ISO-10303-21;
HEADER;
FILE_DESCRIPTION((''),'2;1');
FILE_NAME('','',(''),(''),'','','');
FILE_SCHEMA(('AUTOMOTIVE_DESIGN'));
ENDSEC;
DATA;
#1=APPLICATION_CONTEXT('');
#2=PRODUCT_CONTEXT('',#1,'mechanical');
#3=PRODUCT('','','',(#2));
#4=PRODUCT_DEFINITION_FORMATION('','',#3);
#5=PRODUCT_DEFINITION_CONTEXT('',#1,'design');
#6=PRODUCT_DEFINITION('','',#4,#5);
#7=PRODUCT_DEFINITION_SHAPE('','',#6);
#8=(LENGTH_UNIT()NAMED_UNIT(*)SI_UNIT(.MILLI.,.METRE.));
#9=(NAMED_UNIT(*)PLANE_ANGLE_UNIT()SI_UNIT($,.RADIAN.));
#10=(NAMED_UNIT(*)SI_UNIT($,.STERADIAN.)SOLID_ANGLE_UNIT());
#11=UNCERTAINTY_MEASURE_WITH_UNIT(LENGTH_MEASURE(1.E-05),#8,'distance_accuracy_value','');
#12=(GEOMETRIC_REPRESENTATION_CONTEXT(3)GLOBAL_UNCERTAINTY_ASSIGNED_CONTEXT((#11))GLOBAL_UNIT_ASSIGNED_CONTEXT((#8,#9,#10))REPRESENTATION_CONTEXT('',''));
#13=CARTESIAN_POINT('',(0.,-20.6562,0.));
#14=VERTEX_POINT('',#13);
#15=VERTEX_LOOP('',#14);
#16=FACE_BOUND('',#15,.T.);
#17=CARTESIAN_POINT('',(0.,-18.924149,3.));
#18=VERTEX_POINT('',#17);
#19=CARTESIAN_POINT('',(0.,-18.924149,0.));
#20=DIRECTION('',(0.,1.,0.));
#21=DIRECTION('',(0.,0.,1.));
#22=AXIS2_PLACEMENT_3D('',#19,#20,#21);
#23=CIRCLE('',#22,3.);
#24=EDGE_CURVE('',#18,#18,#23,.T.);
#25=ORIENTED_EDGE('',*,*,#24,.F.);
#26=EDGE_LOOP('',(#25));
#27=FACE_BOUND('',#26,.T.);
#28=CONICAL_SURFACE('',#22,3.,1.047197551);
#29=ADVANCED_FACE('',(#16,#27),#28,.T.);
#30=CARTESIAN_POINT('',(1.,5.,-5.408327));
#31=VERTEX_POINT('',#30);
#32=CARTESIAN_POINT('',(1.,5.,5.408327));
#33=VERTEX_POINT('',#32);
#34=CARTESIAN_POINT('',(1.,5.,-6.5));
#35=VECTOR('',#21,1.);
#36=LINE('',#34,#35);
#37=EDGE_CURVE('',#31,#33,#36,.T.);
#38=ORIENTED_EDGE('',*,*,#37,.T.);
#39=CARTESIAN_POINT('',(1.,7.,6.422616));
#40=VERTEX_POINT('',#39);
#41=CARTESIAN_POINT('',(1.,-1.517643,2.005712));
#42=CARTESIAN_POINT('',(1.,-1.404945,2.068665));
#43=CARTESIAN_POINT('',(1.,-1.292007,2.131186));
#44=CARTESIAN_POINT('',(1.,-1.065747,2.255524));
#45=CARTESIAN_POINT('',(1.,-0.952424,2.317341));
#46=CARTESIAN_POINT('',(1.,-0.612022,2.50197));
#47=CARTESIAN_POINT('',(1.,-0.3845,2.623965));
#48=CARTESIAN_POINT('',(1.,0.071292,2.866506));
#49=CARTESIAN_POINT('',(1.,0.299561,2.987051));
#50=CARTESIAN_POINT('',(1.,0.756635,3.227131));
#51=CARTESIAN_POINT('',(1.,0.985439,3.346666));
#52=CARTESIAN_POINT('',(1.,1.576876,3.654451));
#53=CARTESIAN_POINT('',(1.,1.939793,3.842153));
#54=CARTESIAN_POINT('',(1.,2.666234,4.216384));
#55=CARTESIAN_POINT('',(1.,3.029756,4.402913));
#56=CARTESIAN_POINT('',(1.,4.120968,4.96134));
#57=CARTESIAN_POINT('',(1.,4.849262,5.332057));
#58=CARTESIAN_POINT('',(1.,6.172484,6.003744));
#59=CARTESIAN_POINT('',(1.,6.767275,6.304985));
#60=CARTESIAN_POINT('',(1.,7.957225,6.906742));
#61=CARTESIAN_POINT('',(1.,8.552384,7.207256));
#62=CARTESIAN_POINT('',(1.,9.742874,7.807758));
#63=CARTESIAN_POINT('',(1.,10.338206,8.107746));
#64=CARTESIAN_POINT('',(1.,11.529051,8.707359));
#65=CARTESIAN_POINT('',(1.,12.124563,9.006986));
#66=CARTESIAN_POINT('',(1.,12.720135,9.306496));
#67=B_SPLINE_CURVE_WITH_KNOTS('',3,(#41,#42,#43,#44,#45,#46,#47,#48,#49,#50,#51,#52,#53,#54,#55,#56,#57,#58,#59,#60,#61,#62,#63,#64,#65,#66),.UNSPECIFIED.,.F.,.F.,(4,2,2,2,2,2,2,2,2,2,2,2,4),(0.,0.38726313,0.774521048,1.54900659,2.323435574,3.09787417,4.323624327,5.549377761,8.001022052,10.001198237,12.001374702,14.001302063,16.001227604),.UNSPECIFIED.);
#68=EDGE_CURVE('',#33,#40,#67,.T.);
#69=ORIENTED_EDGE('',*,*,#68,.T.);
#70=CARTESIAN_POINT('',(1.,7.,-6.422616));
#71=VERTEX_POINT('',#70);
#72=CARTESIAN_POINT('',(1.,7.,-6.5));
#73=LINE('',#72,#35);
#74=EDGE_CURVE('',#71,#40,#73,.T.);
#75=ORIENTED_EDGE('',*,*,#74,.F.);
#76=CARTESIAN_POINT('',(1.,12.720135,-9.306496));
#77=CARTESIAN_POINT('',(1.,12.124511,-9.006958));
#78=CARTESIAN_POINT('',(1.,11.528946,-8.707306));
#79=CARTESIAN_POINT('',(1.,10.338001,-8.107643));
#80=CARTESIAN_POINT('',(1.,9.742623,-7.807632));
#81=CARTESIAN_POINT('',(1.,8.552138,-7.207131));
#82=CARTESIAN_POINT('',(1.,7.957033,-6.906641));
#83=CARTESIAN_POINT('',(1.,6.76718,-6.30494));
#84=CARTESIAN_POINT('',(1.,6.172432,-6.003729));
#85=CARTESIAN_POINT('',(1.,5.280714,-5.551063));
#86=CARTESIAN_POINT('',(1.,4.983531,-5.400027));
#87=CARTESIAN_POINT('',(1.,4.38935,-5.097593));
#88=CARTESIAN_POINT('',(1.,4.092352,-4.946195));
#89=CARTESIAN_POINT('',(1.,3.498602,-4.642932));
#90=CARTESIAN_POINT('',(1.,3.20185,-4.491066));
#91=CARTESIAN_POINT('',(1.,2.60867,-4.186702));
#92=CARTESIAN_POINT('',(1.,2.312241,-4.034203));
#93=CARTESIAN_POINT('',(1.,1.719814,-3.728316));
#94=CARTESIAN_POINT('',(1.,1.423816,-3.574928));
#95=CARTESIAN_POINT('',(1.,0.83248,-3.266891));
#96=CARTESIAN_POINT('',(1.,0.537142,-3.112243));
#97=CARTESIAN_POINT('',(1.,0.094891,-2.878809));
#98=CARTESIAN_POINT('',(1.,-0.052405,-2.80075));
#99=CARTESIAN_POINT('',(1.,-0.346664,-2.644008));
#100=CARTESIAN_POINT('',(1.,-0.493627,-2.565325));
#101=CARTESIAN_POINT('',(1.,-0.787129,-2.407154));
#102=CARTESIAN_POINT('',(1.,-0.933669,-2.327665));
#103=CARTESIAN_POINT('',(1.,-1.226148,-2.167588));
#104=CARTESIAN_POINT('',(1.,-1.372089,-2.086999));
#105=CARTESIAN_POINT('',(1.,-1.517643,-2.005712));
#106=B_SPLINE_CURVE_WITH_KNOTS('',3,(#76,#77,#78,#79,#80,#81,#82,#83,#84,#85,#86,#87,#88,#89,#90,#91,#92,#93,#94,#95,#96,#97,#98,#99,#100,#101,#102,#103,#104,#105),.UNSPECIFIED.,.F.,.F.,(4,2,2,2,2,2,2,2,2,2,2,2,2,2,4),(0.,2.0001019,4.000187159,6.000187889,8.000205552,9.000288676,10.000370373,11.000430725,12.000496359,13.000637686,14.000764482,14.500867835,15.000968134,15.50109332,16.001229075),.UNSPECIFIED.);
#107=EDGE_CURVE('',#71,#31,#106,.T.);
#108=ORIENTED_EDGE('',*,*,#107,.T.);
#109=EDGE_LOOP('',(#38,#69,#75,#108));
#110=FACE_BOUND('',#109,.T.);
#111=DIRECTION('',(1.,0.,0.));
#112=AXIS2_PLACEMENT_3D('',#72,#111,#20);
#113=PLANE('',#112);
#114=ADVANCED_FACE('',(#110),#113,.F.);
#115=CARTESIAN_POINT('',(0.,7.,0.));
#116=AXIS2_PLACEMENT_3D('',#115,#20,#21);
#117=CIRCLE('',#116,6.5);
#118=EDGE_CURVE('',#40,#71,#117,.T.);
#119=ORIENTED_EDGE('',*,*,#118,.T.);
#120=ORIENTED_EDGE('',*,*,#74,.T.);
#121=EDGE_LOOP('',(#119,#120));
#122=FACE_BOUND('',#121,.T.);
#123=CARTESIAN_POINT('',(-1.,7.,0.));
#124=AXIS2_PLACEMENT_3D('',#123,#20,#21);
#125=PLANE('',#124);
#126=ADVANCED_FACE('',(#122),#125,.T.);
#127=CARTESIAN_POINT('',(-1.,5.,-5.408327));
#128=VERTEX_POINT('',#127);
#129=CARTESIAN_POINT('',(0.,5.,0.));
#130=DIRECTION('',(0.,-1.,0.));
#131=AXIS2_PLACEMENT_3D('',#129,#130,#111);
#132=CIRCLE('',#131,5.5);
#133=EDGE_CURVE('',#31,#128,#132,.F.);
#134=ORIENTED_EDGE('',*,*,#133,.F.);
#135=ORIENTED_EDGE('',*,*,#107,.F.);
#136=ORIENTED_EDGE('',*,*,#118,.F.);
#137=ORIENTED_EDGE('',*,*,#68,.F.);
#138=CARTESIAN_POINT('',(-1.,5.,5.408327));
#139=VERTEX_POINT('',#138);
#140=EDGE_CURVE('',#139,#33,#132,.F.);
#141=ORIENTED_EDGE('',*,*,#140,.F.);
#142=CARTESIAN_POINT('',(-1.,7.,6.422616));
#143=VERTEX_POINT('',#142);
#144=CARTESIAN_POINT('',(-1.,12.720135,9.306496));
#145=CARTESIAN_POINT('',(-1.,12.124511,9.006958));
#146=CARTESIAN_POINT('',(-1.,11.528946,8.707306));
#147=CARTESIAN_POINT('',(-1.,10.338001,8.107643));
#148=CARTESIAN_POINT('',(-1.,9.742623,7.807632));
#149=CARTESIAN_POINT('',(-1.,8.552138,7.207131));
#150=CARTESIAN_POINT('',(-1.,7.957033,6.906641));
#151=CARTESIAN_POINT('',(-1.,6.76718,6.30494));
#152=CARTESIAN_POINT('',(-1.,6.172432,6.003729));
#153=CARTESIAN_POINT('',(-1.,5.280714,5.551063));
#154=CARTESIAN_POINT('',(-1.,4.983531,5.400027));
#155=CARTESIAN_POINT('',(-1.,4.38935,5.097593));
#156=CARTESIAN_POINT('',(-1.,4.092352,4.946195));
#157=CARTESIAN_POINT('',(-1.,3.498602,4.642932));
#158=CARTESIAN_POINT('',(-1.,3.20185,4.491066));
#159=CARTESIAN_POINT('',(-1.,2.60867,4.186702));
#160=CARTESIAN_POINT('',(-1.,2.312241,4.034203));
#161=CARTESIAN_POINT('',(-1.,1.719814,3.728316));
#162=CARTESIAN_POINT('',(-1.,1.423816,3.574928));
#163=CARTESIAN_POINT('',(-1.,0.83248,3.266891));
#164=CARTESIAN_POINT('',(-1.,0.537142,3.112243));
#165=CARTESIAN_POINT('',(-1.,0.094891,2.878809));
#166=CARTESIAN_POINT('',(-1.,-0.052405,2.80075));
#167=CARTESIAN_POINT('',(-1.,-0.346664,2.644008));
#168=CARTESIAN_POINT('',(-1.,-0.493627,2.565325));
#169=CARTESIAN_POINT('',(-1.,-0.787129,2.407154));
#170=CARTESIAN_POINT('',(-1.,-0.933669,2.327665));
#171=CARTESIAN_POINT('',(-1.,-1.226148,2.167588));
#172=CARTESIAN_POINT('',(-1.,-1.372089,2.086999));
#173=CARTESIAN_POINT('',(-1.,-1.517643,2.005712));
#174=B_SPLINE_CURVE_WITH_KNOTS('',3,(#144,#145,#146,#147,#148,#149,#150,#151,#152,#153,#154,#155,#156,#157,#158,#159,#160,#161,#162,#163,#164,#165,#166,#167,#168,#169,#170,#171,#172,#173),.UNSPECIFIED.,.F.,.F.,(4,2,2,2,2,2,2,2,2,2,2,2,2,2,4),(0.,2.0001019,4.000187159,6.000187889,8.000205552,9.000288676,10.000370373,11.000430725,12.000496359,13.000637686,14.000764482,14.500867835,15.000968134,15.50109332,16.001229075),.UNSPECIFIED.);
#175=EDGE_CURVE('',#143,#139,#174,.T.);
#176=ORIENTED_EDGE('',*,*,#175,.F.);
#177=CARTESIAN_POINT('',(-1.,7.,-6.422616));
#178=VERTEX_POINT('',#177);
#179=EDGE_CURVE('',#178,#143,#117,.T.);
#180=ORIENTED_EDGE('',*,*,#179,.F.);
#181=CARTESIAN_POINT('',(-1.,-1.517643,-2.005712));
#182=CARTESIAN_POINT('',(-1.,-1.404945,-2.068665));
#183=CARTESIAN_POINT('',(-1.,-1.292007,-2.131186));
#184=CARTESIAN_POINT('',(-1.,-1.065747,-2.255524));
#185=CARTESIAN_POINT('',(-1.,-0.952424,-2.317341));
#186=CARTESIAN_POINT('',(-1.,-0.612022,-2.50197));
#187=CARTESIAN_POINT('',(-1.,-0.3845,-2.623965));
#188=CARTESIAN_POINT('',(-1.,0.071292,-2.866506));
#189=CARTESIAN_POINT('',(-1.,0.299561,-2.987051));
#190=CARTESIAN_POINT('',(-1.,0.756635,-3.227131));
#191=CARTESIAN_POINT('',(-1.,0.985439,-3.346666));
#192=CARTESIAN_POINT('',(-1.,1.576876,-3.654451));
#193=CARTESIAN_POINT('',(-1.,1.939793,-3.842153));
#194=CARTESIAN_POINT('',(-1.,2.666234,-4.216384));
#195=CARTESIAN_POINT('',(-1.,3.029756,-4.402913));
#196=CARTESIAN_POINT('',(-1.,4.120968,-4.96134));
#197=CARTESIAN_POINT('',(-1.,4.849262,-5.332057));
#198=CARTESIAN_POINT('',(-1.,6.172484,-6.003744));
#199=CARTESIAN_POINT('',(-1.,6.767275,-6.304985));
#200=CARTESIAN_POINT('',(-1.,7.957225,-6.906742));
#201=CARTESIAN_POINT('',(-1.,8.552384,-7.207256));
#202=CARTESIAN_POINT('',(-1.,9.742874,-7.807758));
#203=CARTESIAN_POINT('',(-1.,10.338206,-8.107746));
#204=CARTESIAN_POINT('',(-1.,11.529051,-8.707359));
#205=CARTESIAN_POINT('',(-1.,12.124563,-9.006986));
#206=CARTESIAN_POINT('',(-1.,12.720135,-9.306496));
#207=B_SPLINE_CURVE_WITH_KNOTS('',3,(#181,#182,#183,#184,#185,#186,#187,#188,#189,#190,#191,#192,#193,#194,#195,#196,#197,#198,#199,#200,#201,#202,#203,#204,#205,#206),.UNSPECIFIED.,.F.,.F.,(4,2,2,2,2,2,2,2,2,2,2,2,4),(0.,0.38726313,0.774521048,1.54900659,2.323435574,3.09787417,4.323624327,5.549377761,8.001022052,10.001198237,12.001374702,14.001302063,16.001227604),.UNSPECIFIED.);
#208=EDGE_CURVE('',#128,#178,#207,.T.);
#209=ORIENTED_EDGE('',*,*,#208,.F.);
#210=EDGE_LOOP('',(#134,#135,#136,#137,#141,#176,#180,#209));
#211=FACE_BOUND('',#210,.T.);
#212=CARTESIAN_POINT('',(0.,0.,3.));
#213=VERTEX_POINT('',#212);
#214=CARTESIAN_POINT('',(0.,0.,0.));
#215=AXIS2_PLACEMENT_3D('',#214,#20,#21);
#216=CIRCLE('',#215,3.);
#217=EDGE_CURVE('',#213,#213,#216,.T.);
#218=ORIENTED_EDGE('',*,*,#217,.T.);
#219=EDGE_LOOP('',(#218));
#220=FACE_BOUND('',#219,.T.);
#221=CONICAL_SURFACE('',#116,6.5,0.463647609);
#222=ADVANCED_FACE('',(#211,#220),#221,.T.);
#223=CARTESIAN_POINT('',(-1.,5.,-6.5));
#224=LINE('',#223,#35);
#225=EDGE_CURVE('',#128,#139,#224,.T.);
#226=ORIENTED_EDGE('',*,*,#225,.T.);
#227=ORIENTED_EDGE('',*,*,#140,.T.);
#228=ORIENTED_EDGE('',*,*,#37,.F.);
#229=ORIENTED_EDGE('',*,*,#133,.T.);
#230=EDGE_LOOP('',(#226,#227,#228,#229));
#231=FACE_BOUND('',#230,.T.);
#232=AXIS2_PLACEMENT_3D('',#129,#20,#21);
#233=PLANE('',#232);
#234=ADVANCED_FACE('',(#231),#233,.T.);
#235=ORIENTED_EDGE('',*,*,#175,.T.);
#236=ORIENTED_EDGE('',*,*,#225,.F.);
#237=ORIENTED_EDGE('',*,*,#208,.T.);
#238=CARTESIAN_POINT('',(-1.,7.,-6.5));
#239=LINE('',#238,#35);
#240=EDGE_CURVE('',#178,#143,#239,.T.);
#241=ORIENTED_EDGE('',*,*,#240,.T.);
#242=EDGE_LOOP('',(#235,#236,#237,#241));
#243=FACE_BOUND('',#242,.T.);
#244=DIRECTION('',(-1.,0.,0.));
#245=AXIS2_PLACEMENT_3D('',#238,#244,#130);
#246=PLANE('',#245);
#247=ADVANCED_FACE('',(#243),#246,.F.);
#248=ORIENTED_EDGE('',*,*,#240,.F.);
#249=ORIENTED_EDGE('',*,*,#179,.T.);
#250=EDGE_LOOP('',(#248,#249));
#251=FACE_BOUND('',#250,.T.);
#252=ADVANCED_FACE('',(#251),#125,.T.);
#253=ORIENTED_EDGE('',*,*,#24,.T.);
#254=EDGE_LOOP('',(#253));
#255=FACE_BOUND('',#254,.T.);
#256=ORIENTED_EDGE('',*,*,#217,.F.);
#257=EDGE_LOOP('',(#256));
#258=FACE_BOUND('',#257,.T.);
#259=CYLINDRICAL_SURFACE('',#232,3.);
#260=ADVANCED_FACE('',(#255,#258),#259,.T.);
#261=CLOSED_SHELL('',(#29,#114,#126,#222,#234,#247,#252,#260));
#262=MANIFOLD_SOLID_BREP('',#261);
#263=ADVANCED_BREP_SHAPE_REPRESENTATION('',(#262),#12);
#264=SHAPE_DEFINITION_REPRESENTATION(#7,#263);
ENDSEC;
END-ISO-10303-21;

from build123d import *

# Parameters (mm, degrees)
CUT_EXTRUDE1_DEPTH      = 23.609258984
CUT_EXTRUDE1_DEPTH_BACK = 23.609258984
SKETCH3_W               = 2
SKETCH3_H               = 2


with BuildPart() as part:
    # Sketch1 → Revolve3 (revolve)
    with BuildSketch(Plane.XY, mode=Mode.PRIVATE) as revolve3_sk:
        Polygon((0, 0), (0, -18.924149032), (-3, -18.924149032), (-3, 0), (-6.5, 7), (-1, 7), (-1, 5), (0, 5), align=None)
    revolve(revolve3_sk.sketch.rotate(Axis((0, 5, 0), (0, -1, 0)), 270), axis=Axis((0, 5, 0), (0, -1, 0)))

    # Sketch2 → Revolve4 (revolve)
    with BuildSketch(Plane.XY, mode=Mode.PRIVATE) as revolve4_sk:
        Polygon((-3, -18.924149032), (0, -20.656199839), (0, -18.924149032), align=None)
    revolve(revolve4_sk.sketch.rotate(Axis((0, -18.924149032, 0), (0, -1, 0)), 270), axis=Axis((0, -18.924149032, 0), (0, -1, 0)))

    # Sketch3 → Cut-Extrude1 (cut, two sides: drawn at the far end of the back side and taken through both)
    with BuildSketch(Plane.XY.offset(-CUT_EXTRUDE1_DEPTH_BACK)):
        with Locations((0, 6)):
            Rectangle(SKETCH3_W, SKETCH3_H)
    extrude(amount=CUT_EXTRUDE1_DEPTH + CUT_EXTRUDE1_DEPTH_BACK, mode=Mode.SUBTRACT)


solid = part.part
